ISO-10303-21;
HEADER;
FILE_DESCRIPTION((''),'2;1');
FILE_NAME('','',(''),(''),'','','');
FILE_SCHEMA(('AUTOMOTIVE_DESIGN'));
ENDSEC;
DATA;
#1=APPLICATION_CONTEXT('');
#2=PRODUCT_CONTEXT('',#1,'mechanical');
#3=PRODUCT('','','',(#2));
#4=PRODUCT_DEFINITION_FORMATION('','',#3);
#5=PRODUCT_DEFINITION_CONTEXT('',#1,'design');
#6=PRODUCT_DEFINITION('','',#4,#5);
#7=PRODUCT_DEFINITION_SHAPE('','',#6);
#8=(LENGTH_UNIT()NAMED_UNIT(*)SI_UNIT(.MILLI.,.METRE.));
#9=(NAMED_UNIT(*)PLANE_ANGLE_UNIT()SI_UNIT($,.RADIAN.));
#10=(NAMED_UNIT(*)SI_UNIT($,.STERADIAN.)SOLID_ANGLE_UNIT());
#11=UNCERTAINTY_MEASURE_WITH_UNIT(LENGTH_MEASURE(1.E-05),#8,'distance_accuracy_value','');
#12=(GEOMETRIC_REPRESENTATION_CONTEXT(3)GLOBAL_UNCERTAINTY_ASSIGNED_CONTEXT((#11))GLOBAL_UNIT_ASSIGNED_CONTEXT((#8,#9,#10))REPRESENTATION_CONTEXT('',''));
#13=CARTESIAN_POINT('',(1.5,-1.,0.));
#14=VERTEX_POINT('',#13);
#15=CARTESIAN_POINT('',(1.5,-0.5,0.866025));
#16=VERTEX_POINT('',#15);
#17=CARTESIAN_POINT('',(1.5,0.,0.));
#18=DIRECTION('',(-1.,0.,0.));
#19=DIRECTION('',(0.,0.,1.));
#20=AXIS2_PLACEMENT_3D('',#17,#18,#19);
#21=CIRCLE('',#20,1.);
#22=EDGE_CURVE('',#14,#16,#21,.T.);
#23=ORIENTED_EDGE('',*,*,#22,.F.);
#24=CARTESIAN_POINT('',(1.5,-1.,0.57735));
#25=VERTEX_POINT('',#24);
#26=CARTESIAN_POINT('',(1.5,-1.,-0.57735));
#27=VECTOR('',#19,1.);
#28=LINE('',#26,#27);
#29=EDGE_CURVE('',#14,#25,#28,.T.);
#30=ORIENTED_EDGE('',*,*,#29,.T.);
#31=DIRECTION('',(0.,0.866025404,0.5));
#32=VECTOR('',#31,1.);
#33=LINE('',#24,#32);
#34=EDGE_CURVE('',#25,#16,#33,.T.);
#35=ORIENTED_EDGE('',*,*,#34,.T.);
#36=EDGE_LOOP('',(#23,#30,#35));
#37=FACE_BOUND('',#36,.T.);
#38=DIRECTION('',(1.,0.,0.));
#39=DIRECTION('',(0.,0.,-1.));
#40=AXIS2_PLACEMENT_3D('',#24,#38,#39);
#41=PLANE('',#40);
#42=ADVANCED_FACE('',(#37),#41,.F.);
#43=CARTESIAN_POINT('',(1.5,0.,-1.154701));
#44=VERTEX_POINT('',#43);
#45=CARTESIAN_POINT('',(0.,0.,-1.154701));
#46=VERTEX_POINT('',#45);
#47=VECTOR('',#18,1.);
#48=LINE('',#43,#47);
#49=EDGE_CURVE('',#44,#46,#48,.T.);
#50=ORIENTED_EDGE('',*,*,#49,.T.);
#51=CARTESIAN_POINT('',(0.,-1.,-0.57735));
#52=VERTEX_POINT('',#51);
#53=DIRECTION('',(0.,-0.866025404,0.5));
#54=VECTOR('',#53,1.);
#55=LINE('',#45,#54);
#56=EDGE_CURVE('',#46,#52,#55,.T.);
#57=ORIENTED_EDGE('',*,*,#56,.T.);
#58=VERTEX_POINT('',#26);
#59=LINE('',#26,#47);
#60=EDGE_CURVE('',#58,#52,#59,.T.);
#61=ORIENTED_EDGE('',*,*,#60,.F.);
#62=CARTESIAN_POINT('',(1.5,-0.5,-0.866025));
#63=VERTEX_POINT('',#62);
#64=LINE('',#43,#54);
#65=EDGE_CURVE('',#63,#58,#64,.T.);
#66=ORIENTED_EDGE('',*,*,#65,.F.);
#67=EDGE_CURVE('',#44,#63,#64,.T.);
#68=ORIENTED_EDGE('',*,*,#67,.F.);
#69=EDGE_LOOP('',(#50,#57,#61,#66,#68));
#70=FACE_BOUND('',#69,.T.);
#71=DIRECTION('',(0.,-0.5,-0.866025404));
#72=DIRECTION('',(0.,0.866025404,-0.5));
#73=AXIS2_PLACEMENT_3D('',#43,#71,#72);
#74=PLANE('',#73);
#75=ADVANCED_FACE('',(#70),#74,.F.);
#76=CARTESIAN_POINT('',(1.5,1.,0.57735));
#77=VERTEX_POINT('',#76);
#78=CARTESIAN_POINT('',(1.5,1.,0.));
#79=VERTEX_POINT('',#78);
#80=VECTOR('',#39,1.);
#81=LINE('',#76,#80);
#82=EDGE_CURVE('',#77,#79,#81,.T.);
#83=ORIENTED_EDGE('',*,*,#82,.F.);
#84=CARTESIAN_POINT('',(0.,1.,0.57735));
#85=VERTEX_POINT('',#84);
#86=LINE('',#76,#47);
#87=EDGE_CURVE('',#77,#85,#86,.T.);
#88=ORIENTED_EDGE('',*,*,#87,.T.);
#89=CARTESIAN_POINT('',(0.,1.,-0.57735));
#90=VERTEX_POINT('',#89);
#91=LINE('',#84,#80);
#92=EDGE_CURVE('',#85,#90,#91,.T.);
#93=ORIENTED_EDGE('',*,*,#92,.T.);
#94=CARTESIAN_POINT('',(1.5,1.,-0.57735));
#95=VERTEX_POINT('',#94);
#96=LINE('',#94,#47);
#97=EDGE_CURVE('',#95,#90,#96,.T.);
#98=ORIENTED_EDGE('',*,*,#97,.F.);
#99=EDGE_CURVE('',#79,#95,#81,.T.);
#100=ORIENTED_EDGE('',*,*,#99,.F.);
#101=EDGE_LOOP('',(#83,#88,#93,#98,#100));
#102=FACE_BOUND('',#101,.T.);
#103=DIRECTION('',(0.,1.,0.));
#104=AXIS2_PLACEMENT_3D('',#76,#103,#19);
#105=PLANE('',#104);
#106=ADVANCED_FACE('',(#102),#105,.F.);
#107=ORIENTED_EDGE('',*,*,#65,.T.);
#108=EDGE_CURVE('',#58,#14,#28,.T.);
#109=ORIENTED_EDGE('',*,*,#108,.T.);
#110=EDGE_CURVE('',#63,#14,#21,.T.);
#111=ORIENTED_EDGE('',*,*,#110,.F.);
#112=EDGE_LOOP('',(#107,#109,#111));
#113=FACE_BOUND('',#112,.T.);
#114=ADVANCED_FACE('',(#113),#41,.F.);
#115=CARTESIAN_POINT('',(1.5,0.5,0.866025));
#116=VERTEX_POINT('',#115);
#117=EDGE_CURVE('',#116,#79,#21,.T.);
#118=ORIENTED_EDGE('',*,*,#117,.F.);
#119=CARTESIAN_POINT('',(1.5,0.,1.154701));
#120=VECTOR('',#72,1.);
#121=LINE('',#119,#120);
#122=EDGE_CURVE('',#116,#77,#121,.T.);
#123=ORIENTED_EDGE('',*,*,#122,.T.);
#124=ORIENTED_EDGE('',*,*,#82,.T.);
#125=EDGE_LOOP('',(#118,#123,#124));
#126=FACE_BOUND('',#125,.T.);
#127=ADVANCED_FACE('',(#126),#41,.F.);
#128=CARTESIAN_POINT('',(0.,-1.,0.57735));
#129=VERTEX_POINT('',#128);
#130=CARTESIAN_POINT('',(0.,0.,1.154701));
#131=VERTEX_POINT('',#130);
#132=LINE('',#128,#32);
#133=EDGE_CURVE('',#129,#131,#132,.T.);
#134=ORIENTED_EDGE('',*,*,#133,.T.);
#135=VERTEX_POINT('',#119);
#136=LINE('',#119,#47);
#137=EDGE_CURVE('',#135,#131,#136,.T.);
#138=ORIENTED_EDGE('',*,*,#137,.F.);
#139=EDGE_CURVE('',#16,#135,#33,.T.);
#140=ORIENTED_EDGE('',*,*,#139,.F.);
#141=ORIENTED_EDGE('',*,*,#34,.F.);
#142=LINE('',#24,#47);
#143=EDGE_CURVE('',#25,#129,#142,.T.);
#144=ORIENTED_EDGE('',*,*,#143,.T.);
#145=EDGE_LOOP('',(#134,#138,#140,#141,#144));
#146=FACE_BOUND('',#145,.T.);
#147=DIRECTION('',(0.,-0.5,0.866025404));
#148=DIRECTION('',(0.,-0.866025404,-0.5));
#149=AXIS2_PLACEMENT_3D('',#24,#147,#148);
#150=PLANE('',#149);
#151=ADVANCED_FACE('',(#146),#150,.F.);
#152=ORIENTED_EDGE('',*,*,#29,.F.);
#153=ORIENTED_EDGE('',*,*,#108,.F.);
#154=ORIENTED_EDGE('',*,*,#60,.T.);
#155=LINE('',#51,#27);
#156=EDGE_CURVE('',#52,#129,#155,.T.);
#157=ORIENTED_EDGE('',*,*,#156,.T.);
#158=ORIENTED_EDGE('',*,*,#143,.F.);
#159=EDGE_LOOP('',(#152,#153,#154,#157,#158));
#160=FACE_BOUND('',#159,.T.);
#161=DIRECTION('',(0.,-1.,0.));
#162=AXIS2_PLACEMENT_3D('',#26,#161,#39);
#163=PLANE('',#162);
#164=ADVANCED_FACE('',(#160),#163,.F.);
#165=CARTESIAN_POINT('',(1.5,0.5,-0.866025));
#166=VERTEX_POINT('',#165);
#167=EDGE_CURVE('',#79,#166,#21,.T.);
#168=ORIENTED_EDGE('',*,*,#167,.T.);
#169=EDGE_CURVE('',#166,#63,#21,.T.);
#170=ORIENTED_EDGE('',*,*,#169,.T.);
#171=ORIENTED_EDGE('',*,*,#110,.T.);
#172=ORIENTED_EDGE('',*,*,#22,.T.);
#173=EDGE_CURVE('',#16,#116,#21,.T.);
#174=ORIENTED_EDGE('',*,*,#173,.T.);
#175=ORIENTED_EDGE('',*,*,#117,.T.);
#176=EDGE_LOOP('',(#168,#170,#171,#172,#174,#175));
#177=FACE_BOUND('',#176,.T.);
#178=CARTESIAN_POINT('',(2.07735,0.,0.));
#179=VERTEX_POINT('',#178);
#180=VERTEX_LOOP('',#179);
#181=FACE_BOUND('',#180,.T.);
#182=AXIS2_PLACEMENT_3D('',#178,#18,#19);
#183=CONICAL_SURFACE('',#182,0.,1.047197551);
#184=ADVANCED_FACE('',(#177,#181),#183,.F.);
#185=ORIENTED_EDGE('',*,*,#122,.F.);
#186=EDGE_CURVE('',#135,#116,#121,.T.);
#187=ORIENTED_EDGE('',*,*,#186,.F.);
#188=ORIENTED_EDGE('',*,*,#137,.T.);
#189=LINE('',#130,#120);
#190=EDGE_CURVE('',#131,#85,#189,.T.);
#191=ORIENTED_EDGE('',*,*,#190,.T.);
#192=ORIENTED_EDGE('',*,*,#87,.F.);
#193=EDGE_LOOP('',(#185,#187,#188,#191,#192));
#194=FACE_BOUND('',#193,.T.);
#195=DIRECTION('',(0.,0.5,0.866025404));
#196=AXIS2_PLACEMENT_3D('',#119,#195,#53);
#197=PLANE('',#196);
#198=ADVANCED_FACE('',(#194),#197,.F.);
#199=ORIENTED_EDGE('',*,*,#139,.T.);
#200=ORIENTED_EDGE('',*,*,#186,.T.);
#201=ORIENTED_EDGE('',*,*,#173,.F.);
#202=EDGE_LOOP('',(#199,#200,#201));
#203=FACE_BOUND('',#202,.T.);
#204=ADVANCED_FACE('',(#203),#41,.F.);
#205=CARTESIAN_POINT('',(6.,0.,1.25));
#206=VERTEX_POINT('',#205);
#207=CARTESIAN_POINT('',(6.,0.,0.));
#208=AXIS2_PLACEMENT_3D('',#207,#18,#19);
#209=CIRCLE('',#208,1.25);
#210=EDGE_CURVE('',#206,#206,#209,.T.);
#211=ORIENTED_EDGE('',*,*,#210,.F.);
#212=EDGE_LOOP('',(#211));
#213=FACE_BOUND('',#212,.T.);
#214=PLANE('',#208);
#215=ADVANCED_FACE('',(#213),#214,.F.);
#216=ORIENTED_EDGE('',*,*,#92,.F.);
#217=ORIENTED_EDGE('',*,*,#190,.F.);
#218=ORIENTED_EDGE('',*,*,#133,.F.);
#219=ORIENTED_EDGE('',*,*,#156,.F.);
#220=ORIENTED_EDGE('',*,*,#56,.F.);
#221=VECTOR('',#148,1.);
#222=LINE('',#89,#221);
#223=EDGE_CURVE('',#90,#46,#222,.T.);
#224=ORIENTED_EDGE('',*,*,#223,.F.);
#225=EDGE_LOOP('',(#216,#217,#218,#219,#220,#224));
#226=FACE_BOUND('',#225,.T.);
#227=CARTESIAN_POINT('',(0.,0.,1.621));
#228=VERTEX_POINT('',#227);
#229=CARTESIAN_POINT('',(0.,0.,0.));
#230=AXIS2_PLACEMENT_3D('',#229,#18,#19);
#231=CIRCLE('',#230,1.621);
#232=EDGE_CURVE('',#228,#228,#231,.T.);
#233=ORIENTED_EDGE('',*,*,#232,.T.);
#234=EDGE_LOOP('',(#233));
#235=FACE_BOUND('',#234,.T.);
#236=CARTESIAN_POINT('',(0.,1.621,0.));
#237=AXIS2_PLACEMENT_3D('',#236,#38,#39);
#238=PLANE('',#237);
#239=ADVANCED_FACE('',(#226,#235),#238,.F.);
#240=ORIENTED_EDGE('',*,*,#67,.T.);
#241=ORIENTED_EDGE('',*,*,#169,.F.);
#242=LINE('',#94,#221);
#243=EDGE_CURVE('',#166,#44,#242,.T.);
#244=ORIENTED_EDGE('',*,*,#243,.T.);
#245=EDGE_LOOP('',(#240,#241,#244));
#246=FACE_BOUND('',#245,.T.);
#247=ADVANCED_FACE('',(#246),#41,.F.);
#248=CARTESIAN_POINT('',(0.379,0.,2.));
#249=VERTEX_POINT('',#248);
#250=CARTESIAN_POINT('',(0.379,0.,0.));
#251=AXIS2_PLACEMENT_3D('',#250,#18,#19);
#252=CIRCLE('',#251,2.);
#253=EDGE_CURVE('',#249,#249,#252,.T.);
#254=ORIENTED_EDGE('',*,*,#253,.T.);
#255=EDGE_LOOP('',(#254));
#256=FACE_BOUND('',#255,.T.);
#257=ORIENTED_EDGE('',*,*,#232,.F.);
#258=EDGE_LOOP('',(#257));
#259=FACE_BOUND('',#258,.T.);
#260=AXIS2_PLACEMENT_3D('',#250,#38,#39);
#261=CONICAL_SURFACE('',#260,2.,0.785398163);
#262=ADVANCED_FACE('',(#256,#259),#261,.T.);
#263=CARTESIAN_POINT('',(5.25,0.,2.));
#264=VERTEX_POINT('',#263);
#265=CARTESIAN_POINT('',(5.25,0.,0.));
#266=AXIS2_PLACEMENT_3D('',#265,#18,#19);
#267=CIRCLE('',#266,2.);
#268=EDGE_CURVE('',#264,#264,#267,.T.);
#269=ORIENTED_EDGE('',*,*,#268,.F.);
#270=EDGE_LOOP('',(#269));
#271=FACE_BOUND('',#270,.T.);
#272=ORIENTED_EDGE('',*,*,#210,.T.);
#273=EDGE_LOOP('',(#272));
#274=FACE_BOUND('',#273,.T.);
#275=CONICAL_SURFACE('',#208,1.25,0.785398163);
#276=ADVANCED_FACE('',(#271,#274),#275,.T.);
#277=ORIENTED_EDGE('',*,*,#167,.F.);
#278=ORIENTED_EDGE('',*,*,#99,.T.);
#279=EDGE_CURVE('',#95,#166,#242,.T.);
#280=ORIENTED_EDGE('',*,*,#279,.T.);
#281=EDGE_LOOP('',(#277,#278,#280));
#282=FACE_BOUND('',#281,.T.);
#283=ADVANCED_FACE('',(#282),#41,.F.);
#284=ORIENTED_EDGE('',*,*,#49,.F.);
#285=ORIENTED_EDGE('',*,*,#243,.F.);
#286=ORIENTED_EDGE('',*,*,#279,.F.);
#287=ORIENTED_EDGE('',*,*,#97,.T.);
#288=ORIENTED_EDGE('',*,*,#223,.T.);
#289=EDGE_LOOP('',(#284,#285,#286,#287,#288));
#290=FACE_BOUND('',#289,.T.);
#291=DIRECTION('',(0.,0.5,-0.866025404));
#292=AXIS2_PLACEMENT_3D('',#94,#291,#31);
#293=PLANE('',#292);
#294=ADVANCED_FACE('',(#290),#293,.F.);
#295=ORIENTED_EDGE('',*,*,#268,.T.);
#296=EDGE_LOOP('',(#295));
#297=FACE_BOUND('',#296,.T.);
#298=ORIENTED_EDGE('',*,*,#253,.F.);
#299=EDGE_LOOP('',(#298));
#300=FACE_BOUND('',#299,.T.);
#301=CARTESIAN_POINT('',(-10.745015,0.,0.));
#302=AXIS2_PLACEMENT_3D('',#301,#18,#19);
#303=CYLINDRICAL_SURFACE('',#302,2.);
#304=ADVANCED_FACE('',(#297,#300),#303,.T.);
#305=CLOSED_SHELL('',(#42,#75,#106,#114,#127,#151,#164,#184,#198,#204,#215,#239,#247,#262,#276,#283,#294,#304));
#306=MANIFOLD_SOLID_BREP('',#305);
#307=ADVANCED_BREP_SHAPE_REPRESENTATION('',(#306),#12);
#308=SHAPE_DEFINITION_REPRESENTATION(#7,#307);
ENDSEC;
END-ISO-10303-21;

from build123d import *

# Parameters (mm, degrees)
HEXAGONSOCKET_DEPTH = 1.5


with BuildPart() as part:
    # Sketch1 → Base (revolve)
    with BuildSketch(Plane.XY):
        Polygon((0, 0), (6, 0), (6, 1.25), (5.25, 2), (0.379, 2), (0, 1.621), align=None)
    revolve(axis=Axis((-10.745014543, 0, 0), (1, 0, 0)))

    # Sketch2 → HexagonSocket (cut)
    with BuildSketch(Plane(origin=(0, -0.021932325, 0.010138848), x_dir=(0, 0, 1), z_dir=(-1, 0, 0))):
        Polygon((1.14456169, 0.021932325), (0.567211421, 1.021932325), (-0.587489117, 1.021932325), (-1.164839386, 0.021932325), (-0.587489117, -0.978067675), (0.567211421, -0.978067675), align=None)
    extrude(amount=-HEXAGONSOCKET_DEPTH, mode=Mode.SUBTRACT)

    # Sketch3 → Cut-Revolve1 (revolve, cut)
    with BuildSketch(Plane.XY):
        Polygon((1.5, 1), (2.077350269, 0), (1.5, 0), align=None)
    revolve(axis=Axis((-3.144113667, 0, 0), (1, 0, 0)), mode=Mode.SUBTRACT)


solid = part.part
